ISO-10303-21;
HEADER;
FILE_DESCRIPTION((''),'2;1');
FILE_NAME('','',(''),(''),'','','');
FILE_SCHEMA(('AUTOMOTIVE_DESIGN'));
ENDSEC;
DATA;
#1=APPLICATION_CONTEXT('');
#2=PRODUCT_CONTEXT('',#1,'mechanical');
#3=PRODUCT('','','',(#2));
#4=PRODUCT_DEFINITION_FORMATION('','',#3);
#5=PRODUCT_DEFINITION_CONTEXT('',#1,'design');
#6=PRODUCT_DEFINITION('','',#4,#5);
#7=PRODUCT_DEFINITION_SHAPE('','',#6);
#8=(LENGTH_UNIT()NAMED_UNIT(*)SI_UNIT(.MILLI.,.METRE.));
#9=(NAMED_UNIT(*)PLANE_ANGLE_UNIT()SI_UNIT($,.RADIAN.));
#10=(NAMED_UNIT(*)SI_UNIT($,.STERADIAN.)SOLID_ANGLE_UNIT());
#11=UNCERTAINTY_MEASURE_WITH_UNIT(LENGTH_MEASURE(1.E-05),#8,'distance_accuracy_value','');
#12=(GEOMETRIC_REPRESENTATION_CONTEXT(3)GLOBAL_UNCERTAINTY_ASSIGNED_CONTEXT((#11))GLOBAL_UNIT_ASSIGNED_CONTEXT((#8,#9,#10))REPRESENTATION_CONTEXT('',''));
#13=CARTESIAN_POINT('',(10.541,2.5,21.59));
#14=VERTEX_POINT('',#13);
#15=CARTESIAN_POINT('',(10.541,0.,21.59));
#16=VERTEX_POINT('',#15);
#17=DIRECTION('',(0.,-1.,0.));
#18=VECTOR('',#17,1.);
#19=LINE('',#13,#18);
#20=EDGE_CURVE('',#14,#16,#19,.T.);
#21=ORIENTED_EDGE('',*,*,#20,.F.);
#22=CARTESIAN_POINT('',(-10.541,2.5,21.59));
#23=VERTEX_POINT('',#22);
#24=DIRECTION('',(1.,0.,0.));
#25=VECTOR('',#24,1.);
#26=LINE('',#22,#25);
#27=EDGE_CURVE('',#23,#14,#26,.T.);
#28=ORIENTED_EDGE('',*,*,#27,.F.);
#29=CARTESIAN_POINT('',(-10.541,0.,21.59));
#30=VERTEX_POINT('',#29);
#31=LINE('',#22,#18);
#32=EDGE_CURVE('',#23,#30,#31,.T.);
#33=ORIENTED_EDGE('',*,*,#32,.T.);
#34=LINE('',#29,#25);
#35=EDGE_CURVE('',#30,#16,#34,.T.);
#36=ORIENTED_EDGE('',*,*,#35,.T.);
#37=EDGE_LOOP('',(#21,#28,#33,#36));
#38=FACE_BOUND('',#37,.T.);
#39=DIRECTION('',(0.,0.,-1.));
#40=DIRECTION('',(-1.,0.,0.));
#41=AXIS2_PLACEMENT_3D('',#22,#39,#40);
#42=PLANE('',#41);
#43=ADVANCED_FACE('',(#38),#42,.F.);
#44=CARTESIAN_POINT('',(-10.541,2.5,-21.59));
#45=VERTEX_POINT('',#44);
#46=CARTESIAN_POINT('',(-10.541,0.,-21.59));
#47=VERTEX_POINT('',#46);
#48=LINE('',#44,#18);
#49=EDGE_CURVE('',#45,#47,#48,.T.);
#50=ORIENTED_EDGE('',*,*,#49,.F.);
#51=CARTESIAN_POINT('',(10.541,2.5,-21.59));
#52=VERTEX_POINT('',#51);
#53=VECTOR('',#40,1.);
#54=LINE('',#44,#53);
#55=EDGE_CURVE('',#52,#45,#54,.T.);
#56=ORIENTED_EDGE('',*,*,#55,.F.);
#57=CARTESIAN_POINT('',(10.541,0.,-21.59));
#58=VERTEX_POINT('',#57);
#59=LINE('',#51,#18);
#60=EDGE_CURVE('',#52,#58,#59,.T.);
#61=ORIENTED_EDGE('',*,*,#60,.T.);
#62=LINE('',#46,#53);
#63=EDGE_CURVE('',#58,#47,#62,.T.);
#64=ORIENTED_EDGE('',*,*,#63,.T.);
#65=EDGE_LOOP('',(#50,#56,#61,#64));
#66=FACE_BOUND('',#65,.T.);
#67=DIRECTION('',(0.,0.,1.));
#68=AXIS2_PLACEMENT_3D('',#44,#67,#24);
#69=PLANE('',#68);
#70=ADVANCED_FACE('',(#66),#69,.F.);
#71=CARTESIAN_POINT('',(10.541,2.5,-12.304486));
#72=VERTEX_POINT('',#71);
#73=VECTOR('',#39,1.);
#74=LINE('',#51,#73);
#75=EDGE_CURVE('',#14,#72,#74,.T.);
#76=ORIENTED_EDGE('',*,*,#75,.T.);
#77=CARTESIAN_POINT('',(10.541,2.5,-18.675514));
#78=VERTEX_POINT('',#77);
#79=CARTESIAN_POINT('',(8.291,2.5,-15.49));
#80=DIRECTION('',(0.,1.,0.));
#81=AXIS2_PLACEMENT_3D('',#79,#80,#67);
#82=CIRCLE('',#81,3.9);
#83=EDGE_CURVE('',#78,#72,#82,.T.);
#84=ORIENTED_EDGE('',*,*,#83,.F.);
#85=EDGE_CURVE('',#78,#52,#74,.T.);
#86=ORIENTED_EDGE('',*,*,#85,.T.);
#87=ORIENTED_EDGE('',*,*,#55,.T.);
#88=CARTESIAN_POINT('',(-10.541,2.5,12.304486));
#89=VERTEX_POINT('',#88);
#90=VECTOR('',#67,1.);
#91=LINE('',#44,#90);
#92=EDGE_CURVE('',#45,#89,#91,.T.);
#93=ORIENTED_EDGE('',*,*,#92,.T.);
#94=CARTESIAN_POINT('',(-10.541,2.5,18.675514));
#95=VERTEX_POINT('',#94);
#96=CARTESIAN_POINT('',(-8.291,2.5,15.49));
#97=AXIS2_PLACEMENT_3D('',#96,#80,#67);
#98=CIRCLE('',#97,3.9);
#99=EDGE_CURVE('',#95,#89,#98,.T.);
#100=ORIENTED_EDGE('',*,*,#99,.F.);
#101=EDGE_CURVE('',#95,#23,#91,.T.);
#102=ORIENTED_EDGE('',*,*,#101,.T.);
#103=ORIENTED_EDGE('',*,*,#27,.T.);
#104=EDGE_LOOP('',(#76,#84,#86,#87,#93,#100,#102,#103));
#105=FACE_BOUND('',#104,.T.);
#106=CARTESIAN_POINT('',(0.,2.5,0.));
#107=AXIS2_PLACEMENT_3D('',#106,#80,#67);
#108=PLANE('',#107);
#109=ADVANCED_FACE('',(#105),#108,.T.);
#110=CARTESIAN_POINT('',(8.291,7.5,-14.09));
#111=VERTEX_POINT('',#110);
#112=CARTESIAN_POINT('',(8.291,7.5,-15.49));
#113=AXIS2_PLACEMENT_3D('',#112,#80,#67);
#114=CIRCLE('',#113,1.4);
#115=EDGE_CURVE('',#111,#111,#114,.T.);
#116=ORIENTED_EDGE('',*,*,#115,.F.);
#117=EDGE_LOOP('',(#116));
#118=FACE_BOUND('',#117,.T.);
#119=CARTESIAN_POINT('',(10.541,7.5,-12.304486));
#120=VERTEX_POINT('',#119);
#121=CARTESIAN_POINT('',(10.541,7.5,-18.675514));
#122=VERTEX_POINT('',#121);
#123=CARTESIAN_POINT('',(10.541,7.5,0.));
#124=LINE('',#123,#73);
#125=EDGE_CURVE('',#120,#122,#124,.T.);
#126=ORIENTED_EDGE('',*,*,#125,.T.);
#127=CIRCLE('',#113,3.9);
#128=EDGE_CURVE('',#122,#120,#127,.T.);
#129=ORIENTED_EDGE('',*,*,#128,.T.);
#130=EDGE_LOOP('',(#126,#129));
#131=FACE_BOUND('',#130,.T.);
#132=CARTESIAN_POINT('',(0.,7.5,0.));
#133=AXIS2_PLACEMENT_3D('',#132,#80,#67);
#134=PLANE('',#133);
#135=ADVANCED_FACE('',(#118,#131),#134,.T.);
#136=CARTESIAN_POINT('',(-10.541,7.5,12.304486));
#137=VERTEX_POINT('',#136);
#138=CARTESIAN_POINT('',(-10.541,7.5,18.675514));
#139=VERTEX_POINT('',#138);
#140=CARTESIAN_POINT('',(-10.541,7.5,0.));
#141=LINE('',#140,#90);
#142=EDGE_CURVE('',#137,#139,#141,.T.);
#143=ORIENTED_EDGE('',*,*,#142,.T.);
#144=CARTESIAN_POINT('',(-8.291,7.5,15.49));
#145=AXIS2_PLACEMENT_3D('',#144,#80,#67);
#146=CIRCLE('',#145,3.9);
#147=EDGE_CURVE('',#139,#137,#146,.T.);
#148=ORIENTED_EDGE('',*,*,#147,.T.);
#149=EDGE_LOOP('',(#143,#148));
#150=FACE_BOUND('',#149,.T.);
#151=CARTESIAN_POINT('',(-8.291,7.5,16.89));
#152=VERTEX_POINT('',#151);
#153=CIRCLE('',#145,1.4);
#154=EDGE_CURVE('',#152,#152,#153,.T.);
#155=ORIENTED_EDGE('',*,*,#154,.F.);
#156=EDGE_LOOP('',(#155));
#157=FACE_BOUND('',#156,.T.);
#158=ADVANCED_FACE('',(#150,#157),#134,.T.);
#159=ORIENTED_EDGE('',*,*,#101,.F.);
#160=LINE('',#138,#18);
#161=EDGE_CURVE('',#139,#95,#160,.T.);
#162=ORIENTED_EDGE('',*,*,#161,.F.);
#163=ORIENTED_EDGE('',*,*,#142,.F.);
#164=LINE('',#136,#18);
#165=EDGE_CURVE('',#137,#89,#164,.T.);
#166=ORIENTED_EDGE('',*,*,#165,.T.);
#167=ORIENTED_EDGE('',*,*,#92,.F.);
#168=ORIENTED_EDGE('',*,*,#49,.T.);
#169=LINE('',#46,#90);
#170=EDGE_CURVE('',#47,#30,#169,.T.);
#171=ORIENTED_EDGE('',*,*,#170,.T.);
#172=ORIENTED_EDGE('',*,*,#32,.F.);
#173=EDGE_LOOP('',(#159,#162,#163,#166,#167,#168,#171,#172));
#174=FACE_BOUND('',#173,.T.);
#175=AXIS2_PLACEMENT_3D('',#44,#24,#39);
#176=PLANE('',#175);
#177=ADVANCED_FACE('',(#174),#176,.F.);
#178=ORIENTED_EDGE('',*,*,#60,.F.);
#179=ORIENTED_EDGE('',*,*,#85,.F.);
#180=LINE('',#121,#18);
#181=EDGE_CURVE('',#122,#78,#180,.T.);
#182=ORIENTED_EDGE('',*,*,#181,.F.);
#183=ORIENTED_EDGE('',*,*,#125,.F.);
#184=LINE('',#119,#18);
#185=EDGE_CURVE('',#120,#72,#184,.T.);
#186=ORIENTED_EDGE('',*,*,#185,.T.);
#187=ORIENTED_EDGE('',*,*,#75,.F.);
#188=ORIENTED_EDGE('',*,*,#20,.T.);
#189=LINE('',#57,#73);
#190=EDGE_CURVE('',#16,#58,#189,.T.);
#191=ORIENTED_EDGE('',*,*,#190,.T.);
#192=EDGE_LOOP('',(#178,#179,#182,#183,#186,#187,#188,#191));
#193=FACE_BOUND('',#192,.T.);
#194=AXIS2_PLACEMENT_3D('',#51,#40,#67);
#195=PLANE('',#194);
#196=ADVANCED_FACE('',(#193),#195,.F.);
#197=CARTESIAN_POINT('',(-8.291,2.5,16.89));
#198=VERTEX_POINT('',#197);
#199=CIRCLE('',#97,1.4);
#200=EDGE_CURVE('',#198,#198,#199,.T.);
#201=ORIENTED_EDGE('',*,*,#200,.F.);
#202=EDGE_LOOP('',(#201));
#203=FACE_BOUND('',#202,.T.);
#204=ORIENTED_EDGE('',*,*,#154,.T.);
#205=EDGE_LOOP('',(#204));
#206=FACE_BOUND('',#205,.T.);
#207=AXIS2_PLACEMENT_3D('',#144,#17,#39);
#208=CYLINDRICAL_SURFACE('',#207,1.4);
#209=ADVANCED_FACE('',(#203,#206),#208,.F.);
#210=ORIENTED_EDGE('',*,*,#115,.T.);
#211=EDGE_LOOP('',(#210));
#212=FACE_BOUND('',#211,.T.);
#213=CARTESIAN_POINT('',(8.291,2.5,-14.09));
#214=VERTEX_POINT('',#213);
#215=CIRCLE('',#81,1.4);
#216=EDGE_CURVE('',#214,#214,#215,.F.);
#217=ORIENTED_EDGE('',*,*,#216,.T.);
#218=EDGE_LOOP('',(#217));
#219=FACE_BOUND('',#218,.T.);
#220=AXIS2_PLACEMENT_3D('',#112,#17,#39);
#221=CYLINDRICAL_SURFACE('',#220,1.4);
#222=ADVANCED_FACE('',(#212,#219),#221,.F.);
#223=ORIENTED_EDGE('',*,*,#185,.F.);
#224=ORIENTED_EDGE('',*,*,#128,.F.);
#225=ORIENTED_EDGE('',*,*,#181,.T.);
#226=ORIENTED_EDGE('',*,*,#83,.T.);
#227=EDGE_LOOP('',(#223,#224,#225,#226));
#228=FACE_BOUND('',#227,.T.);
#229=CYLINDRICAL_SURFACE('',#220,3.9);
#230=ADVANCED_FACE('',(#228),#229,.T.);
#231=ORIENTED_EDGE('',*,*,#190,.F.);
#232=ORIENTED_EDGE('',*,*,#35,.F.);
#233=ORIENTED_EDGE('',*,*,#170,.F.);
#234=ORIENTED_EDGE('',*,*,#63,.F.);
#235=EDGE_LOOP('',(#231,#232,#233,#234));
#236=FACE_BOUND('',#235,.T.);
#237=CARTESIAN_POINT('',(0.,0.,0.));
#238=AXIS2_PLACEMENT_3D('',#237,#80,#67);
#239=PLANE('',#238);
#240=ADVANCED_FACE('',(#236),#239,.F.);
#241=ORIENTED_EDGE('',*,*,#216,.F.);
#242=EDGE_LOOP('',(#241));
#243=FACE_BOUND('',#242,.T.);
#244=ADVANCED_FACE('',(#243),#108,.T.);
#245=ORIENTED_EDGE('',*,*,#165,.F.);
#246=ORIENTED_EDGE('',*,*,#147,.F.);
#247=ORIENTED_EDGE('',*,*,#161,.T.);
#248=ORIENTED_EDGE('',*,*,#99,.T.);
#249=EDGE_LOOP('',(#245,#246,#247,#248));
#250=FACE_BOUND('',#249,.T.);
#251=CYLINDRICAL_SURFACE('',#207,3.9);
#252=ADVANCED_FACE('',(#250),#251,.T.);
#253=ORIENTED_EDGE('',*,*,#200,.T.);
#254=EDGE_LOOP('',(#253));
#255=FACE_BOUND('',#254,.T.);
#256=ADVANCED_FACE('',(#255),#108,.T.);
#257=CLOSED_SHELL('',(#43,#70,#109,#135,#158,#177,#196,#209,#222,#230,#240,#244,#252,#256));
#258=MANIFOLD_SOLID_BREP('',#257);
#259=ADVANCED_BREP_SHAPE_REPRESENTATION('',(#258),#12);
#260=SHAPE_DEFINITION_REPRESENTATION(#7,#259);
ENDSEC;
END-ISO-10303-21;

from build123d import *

# Parameters (mm, degrees)
SKETCH1_W           = 21.082
SKETCH1_H           = 43.18
BOSS_EXTRUDE1_DEPTH = 2.5
SKETCH2_R           = 1.4
BOSS_EXTRUDE2_DEPTH = 5


with BuildPart() as part:
    # Sketch1 → Boss-Extrude1 (new body)
    with BuildSketch(Plane(origin=(0, 0, 0), x_dir=(1, 0, 0), z_dir=(0, 1, 0))):
        Rectangle(SKETCH1_W, SKETCH1_H)
    extrude(amount=BOSS_EXTRUDE1_DEPTH)

    # Sketch2 → Boss-Extrude2 (add)
    # profile 1 of 2: a face of its own
    with BuildSketch(Plane(origin=(0, 2.5, 0), x_dir=(1, 0, 0), z_dir=(0, 1, 0))):
        with BuildLine():
            Line((10.541, 12.304485913), (10.541, 18.675514087))
            ThreePointArc((10.541, 18.675514087), (4.391, 15.49), (10.541, 12.304485913))
        make_face()
        with Locations(Location((8.291, 15.49, 0), (0, 0, 270))):
            Circle(SKETCH2_R, mode=Mode.SUBTRACT)
    # profile 2 of 2: a face of its own
    with BuildSketch(Plane(origin=(0, 2.5, 0), x_dir=(1, 0, 0), z_dir=(0, 1, 0))):
        with BuildLine():
            ThreePointArc((-10.541, -18.675514087), (-4.391, -15.49), (-10.541, -12.304485913))
            Line((-10.541, -12.304485913), (-10.541, -18.675514087))
        make_face()
        with Locations(Location((-8.291, -15.49, 0), (0, 0, 270))):
            Circle(SKETCH2_R, mode=Mode.SUBTRACT)
    extrude(amount=BOSS_EXTRUDE2_DEPTH)


solid = part.part
